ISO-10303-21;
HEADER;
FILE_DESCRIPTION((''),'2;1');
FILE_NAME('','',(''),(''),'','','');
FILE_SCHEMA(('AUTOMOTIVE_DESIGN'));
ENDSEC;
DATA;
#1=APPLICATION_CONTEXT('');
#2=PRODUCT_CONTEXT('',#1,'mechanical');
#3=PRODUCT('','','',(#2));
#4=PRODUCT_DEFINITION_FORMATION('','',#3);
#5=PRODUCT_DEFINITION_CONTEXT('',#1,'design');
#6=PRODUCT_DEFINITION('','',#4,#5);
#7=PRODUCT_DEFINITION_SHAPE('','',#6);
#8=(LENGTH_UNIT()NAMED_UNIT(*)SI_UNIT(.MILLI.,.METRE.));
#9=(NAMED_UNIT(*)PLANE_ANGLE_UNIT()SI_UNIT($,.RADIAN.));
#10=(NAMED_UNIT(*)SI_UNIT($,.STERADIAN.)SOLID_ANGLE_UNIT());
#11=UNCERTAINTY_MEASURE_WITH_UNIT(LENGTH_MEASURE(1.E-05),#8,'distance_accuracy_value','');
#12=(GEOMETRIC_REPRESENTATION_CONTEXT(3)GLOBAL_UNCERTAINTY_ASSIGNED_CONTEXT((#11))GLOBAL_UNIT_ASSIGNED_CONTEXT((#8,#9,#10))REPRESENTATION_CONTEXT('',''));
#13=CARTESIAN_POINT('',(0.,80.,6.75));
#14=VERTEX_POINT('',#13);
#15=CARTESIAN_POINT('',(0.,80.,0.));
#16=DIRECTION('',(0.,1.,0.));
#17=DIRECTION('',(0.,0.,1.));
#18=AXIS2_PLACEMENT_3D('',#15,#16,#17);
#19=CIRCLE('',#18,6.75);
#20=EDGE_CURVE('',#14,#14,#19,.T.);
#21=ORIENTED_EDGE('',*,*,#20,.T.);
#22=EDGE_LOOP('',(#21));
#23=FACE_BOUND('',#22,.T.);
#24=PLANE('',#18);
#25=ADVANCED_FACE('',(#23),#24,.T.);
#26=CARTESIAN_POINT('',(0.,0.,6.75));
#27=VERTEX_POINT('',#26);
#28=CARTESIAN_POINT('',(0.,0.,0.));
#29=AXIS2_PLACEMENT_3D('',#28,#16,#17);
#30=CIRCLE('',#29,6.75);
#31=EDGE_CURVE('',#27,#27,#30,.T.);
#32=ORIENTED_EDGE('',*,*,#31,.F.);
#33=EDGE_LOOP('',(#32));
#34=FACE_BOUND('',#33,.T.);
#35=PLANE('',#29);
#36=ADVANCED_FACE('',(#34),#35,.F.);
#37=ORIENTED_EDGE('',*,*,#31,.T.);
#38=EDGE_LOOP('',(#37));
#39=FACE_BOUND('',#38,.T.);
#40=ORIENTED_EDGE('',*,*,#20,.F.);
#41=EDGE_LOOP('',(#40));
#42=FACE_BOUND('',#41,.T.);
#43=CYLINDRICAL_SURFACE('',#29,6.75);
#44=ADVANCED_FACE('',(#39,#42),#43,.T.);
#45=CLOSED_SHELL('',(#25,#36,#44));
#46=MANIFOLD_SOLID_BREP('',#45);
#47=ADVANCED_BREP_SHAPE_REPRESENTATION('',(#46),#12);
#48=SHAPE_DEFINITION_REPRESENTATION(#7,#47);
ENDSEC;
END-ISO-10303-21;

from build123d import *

# Parameters (mm, degrees)
SKETCH2_R = 6.75


with BuildPart() as part:
    # Sweep1: sweep along a path in Sketch1
    with BuildLine(Plane.XY) as sweep1_path:
        Line((0, 0), (0, 80))
    # Sketch2 → Sweep1 (sweep)
    with BuildSketch(Plane(origin=(0, 0, 0), x_dir=(1, 0, 0), z_dir=(0, 1, 0))):
        Circle(SKETCH2_R)
    sweep(path=sweep1_path.line)


solid = part.part
